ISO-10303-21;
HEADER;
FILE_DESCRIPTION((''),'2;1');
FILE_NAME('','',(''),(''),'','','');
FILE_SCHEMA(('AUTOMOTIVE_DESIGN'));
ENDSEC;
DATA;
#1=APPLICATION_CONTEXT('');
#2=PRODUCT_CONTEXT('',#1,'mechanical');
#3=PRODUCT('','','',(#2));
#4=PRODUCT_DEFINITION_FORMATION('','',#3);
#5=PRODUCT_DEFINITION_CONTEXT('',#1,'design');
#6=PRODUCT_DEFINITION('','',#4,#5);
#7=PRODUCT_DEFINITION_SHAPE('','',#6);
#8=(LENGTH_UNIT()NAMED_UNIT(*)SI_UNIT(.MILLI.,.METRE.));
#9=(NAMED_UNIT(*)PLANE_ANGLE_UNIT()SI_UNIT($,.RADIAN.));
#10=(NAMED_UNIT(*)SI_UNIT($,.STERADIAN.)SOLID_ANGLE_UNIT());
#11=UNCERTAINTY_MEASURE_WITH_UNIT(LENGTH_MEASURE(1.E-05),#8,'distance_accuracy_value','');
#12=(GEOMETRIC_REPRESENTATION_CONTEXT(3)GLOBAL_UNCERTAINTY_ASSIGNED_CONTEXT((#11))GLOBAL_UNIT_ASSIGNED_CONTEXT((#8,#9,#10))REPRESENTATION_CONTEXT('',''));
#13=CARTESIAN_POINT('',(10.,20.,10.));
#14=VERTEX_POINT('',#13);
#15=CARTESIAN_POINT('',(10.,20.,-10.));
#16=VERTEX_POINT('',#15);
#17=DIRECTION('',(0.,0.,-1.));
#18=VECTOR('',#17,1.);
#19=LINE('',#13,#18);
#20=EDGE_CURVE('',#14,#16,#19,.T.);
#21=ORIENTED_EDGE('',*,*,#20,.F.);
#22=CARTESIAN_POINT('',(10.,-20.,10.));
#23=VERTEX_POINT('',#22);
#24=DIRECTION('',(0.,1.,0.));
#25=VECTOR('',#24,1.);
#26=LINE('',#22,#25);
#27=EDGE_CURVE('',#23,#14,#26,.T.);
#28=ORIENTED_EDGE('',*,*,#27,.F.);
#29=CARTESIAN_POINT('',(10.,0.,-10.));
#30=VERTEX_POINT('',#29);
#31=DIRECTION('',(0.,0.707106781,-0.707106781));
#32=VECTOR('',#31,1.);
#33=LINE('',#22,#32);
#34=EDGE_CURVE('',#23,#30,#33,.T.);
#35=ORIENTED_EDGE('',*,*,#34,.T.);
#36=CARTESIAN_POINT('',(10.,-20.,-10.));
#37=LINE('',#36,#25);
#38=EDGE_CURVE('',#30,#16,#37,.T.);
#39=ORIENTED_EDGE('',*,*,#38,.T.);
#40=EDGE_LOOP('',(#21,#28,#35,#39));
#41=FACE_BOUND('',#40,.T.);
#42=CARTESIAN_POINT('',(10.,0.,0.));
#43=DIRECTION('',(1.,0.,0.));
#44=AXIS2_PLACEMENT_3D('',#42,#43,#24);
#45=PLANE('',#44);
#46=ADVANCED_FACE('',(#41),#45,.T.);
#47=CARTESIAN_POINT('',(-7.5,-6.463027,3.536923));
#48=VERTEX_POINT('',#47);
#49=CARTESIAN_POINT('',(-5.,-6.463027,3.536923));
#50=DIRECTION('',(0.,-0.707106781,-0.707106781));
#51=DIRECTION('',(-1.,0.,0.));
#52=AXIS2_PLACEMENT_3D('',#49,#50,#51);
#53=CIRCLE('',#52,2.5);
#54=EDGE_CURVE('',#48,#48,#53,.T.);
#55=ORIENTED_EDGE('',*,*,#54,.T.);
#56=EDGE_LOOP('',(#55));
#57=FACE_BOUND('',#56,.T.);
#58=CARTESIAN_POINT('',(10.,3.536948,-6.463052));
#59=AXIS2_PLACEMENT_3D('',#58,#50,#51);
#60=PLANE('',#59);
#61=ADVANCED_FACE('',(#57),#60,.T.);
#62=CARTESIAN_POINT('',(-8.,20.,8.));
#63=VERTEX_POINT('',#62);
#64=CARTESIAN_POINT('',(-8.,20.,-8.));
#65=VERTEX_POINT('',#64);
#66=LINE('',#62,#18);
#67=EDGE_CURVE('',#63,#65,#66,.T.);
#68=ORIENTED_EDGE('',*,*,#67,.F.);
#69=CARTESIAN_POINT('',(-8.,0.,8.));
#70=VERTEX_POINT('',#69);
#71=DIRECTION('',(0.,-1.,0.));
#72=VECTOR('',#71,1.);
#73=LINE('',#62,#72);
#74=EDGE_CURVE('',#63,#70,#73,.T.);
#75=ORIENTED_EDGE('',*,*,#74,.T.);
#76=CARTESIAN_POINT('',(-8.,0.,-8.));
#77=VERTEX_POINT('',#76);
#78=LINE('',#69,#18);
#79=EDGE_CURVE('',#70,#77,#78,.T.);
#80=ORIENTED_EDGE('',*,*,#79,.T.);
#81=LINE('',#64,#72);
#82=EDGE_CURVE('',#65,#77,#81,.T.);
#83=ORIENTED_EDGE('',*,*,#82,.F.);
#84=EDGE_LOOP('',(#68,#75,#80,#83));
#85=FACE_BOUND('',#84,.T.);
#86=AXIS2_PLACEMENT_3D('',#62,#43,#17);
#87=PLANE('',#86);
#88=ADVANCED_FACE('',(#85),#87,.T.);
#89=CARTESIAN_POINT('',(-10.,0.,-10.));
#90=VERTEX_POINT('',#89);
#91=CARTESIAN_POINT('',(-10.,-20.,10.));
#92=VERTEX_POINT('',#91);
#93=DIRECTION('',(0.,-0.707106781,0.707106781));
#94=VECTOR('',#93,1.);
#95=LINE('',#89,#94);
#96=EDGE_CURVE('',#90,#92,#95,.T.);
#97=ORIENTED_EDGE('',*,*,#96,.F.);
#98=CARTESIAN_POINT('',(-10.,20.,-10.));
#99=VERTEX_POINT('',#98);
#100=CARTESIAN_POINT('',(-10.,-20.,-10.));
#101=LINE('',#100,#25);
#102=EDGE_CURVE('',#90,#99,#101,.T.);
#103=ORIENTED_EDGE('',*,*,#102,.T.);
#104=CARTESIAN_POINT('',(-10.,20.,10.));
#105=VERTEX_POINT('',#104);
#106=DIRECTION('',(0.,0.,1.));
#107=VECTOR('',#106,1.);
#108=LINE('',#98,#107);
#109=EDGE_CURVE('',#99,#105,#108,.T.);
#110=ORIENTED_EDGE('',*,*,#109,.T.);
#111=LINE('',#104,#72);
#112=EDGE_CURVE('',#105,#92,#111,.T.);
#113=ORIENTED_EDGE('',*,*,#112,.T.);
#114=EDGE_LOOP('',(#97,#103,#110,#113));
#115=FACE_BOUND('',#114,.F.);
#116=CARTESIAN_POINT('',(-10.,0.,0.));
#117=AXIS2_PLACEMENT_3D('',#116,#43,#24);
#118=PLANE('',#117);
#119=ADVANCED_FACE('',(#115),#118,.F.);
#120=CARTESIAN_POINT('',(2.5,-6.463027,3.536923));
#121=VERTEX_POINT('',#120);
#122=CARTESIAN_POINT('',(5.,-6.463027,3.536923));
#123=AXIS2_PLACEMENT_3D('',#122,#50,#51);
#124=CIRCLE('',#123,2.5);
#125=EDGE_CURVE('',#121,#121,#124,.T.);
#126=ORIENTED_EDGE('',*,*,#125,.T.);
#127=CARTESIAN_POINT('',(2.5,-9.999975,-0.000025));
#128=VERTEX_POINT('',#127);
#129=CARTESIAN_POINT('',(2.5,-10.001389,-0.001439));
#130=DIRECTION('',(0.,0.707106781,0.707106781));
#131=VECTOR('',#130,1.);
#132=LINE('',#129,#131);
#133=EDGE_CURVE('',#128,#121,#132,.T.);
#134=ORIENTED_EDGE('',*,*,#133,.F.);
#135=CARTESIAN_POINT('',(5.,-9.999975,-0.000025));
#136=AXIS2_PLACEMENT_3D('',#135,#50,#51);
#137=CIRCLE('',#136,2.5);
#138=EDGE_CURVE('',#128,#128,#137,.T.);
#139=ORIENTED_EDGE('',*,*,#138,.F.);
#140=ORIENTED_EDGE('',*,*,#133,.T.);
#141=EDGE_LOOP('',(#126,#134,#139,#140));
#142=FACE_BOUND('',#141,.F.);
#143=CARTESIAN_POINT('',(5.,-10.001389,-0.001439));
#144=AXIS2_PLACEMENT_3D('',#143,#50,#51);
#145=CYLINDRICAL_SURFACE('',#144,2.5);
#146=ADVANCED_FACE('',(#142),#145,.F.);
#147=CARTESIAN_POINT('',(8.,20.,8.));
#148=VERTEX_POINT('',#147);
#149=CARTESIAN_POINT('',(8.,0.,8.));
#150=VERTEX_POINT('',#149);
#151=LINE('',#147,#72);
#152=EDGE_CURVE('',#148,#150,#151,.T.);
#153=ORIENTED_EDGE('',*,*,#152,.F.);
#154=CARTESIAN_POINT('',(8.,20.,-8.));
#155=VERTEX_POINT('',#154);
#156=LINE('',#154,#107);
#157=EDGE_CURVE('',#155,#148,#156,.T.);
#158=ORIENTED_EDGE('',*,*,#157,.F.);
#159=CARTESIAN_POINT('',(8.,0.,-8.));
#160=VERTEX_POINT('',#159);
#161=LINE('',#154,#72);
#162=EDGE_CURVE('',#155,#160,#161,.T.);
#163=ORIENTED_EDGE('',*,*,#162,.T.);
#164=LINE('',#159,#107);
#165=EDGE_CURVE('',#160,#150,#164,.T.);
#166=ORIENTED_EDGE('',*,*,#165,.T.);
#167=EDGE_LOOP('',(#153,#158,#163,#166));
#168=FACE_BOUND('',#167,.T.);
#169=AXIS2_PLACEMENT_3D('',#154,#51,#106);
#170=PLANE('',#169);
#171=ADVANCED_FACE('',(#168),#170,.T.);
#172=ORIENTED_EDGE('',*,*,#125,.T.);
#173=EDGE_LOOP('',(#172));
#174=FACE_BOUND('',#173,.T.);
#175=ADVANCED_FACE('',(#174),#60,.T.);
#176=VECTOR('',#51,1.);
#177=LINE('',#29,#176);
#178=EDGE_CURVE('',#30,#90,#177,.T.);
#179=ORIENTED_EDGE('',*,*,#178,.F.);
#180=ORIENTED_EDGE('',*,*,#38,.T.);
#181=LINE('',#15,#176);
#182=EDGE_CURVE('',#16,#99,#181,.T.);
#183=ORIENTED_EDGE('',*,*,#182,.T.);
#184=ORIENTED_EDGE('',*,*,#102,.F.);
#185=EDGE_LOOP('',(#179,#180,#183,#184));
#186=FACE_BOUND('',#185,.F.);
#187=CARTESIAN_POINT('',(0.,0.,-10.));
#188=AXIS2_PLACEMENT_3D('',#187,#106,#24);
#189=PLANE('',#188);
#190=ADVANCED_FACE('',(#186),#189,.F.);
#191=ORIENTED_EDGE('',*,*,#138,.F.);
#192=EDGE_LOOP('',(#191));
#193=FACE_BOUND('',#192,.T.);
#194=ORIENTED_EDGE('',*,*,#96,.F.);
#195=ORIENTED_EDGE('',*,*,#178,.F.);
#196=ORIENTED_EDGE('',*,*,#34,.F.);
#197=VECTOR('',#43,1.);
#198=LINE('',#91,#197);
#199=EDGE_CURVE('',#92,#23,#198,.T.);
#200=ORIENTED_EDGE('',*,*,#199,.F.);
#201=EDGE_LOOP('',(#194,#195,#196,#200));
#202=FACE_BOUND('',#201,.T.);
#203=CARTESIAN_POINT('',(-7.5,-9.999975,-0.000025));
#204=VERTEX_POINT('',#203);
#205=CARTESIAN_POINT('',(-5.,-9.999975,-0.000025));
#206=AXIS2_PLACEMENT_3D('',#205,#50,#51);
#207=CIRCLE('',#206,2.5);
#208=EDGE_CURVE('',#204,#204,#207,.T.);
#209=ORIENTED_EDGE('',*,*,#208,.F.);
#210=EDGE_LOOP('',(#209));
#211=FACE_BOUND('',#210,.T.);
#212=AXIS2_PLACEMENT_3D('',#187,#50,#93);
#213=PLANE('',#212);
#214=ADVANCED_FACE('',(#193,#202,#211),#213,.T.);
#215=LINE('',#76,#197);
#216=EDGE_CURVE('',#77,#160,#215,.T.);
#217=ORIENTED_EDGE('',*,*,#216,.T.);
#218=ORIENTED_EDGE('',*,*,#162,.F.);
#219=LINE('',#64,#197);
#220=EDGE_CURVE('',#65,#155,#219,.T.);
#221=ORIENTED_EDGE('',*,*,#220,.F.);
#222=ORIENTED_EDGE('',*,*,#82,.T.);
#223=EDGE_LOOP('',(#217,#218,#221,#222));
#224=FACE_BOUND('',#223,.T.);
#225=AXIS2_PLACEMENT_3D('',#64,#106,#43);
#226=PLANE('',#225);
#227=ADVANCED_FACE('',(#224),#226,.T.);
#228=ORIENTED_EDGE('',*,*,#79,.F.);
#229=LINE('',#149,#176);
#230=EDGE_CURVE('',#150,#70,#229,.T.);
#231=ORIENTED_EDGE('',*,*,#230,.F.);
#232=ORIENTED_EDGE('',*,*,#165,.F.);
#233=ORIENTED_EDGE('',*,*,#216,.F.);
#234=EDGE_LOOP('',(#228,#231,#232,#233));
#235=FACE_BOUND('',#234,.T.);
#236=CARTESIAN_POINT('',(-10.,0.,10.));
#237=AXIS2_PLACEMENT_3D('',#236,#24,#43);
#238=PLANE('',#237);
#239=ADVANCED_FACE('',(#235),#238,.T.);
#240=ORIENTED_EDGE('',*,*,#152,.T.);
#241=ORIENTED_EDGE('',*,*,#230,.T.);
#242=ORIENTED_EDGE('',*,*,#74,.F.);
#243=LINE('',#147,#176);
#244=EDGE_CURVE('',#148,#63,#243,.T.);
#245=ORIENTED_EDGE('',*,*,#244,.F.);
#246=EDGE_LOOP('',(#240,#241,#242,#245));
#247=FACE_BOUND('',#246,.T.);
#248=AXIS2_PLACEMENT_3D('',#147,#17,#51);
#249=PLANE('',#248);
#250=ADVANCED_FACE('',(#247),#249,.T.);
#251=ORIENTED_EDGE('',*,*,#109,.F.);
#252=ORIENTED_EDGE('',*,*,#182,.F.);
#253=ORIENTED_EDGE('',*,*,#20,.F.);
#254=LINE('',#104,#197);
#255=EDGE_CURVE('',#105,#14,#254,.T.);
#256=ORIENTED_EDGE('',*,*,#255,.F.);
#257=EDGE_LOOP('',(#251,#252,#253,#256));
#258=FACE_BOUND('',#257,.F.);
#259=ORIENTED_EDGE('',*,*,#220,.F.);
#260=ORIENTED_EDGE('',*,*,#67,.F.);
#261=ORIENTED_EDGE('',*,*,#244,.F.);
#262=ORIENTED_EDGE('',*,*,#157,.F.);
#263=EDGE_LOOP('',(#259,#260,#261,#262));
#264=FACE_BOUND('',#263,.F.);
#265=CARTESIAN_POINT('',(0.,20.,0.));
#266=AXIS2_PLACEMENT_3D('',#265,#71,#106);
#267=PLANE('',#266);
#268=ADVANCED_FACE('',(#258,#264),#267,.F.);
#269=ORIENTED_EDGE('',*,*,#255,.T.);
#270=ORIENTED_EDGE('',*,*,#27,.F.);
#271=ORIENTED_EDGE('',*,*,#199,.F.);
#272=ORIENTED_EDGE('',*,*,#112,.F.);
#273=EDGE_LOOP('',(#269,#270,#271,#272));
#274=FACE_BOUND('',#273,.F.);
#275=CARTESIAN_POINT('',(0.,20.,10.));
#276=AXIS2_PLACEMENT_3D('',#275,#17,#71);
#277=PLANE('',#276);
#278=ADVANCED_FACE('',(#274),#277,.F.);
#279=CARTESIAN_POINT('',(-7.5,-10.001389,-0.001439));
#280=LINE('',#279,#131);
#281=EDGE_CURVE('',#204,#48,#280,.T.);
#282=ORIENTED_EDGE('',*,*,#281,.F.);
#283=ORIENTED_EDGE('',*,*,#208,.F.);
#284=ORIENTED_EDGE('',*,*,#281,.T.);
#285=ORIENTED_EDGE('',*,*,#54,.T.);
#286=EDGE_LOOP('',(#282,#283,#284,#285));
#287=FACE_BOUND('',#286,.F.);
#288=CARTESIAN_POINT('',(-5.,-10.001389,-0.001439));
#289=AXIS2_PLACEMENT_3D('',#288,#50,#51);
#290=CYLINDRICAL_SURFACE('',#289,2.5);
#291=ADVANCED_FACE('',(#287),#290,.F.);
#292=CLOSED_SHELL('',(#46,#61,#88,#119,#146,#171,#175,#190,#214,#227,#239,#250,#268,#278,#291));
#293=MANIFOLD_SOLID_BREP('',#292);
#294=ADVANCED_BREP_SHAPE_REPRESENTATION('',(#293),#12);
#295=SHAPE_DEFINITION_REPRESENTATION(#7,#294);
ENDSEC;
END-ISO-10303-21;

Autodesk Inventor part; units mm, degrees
sketch "Sketch1" plane through (0, 0, 0) normal (1, 0, 0) x (0, 1, 0)
  line L0 (20, 10) -> (-20, 10)
  line L1 (-20, 10) -> (-20, -10)
  line L2 (-20, -10) -> (20, -10)
  line L3 (20, -10) -> (20, 10)
  line L4 (-28, 0) -> (28, 0) projected
  line L5 (0, 14) -> (0, -14) projected
  line L6 (0, -10) -> (-20, 10)
  point P0 (0, 0)
  point P1 (20, 0)
  point P2 (0, 10)
  dimension "d0" = 20
  dimension "d1" = 40
extrude "Extrusion1" add sketch "Sketch1" along normal mid plane 20 contours L3 L4 L5 L0 | L5 L4 L6 L0 | L3 L2 L5 L4 | L5 L6 L4
sketch "Sketch2" plane through (-10, 20, 10) normal (0, 1, 0) x (1, 0, 0)
  line L0 (20, 20) -> (0, 20) projected
  line L1 (20, 20) -> (20, 0) projected
  line L2 (0, 0) -> (0, 20) projected
  line L3 (0, 0) -> (20, 0) projected
  line L4 (2, 18) -> (18, 18)
  line L5 (18, 18) -> (18, 2)
  line L6 (18, 2) -> (2, 2)
  line L7 (2, 2) -> (2, 18)
  point P0 (10, 10)
  dimension "d4" = 2
extrude "Extrusion2" cut sketch "Sketch2" against normal blind 20 contours L4 L5 L6 L7
sketch "Sketch3" plane through (10, 0, -10) normal (0, -0.7071, -0.7071) x (-1, 0, 0)
  line L0 (10, -36.7696) -> (10, 22.6274) projected
  line L1 (20, -28.2843) -> (0, -28.2843) projected
  line L2 (10, -28.2843) -> (10, 0)
  line L3 (20, 0) -> (0, 0) projected
  line L4 (10, -14.1421) -> (20, -14.1421)
  line L5 (20, -28.2843) -> (20, 0) projected
  line L6 (10, -14.1421) -> (0, -14.1421)
  circle A0 centre (5, -14.1421) radius 2.5
  line L7 (0, -28.2843) -> (0, 0) projected
  circle A1 centre (15, -14.1421) radius 2.5
  point P0 (10, -7.0711)
  point P1 (0, -14.1421)
  dimension "d8" = 5
  dimension "d9" = 5
extrude "Extrusion3" cut sketch "Sketch3" against normal blind 5 contours A1 L4 | L4 A1 | A0 L6 | L6 A0
properties part number "Chimney"
